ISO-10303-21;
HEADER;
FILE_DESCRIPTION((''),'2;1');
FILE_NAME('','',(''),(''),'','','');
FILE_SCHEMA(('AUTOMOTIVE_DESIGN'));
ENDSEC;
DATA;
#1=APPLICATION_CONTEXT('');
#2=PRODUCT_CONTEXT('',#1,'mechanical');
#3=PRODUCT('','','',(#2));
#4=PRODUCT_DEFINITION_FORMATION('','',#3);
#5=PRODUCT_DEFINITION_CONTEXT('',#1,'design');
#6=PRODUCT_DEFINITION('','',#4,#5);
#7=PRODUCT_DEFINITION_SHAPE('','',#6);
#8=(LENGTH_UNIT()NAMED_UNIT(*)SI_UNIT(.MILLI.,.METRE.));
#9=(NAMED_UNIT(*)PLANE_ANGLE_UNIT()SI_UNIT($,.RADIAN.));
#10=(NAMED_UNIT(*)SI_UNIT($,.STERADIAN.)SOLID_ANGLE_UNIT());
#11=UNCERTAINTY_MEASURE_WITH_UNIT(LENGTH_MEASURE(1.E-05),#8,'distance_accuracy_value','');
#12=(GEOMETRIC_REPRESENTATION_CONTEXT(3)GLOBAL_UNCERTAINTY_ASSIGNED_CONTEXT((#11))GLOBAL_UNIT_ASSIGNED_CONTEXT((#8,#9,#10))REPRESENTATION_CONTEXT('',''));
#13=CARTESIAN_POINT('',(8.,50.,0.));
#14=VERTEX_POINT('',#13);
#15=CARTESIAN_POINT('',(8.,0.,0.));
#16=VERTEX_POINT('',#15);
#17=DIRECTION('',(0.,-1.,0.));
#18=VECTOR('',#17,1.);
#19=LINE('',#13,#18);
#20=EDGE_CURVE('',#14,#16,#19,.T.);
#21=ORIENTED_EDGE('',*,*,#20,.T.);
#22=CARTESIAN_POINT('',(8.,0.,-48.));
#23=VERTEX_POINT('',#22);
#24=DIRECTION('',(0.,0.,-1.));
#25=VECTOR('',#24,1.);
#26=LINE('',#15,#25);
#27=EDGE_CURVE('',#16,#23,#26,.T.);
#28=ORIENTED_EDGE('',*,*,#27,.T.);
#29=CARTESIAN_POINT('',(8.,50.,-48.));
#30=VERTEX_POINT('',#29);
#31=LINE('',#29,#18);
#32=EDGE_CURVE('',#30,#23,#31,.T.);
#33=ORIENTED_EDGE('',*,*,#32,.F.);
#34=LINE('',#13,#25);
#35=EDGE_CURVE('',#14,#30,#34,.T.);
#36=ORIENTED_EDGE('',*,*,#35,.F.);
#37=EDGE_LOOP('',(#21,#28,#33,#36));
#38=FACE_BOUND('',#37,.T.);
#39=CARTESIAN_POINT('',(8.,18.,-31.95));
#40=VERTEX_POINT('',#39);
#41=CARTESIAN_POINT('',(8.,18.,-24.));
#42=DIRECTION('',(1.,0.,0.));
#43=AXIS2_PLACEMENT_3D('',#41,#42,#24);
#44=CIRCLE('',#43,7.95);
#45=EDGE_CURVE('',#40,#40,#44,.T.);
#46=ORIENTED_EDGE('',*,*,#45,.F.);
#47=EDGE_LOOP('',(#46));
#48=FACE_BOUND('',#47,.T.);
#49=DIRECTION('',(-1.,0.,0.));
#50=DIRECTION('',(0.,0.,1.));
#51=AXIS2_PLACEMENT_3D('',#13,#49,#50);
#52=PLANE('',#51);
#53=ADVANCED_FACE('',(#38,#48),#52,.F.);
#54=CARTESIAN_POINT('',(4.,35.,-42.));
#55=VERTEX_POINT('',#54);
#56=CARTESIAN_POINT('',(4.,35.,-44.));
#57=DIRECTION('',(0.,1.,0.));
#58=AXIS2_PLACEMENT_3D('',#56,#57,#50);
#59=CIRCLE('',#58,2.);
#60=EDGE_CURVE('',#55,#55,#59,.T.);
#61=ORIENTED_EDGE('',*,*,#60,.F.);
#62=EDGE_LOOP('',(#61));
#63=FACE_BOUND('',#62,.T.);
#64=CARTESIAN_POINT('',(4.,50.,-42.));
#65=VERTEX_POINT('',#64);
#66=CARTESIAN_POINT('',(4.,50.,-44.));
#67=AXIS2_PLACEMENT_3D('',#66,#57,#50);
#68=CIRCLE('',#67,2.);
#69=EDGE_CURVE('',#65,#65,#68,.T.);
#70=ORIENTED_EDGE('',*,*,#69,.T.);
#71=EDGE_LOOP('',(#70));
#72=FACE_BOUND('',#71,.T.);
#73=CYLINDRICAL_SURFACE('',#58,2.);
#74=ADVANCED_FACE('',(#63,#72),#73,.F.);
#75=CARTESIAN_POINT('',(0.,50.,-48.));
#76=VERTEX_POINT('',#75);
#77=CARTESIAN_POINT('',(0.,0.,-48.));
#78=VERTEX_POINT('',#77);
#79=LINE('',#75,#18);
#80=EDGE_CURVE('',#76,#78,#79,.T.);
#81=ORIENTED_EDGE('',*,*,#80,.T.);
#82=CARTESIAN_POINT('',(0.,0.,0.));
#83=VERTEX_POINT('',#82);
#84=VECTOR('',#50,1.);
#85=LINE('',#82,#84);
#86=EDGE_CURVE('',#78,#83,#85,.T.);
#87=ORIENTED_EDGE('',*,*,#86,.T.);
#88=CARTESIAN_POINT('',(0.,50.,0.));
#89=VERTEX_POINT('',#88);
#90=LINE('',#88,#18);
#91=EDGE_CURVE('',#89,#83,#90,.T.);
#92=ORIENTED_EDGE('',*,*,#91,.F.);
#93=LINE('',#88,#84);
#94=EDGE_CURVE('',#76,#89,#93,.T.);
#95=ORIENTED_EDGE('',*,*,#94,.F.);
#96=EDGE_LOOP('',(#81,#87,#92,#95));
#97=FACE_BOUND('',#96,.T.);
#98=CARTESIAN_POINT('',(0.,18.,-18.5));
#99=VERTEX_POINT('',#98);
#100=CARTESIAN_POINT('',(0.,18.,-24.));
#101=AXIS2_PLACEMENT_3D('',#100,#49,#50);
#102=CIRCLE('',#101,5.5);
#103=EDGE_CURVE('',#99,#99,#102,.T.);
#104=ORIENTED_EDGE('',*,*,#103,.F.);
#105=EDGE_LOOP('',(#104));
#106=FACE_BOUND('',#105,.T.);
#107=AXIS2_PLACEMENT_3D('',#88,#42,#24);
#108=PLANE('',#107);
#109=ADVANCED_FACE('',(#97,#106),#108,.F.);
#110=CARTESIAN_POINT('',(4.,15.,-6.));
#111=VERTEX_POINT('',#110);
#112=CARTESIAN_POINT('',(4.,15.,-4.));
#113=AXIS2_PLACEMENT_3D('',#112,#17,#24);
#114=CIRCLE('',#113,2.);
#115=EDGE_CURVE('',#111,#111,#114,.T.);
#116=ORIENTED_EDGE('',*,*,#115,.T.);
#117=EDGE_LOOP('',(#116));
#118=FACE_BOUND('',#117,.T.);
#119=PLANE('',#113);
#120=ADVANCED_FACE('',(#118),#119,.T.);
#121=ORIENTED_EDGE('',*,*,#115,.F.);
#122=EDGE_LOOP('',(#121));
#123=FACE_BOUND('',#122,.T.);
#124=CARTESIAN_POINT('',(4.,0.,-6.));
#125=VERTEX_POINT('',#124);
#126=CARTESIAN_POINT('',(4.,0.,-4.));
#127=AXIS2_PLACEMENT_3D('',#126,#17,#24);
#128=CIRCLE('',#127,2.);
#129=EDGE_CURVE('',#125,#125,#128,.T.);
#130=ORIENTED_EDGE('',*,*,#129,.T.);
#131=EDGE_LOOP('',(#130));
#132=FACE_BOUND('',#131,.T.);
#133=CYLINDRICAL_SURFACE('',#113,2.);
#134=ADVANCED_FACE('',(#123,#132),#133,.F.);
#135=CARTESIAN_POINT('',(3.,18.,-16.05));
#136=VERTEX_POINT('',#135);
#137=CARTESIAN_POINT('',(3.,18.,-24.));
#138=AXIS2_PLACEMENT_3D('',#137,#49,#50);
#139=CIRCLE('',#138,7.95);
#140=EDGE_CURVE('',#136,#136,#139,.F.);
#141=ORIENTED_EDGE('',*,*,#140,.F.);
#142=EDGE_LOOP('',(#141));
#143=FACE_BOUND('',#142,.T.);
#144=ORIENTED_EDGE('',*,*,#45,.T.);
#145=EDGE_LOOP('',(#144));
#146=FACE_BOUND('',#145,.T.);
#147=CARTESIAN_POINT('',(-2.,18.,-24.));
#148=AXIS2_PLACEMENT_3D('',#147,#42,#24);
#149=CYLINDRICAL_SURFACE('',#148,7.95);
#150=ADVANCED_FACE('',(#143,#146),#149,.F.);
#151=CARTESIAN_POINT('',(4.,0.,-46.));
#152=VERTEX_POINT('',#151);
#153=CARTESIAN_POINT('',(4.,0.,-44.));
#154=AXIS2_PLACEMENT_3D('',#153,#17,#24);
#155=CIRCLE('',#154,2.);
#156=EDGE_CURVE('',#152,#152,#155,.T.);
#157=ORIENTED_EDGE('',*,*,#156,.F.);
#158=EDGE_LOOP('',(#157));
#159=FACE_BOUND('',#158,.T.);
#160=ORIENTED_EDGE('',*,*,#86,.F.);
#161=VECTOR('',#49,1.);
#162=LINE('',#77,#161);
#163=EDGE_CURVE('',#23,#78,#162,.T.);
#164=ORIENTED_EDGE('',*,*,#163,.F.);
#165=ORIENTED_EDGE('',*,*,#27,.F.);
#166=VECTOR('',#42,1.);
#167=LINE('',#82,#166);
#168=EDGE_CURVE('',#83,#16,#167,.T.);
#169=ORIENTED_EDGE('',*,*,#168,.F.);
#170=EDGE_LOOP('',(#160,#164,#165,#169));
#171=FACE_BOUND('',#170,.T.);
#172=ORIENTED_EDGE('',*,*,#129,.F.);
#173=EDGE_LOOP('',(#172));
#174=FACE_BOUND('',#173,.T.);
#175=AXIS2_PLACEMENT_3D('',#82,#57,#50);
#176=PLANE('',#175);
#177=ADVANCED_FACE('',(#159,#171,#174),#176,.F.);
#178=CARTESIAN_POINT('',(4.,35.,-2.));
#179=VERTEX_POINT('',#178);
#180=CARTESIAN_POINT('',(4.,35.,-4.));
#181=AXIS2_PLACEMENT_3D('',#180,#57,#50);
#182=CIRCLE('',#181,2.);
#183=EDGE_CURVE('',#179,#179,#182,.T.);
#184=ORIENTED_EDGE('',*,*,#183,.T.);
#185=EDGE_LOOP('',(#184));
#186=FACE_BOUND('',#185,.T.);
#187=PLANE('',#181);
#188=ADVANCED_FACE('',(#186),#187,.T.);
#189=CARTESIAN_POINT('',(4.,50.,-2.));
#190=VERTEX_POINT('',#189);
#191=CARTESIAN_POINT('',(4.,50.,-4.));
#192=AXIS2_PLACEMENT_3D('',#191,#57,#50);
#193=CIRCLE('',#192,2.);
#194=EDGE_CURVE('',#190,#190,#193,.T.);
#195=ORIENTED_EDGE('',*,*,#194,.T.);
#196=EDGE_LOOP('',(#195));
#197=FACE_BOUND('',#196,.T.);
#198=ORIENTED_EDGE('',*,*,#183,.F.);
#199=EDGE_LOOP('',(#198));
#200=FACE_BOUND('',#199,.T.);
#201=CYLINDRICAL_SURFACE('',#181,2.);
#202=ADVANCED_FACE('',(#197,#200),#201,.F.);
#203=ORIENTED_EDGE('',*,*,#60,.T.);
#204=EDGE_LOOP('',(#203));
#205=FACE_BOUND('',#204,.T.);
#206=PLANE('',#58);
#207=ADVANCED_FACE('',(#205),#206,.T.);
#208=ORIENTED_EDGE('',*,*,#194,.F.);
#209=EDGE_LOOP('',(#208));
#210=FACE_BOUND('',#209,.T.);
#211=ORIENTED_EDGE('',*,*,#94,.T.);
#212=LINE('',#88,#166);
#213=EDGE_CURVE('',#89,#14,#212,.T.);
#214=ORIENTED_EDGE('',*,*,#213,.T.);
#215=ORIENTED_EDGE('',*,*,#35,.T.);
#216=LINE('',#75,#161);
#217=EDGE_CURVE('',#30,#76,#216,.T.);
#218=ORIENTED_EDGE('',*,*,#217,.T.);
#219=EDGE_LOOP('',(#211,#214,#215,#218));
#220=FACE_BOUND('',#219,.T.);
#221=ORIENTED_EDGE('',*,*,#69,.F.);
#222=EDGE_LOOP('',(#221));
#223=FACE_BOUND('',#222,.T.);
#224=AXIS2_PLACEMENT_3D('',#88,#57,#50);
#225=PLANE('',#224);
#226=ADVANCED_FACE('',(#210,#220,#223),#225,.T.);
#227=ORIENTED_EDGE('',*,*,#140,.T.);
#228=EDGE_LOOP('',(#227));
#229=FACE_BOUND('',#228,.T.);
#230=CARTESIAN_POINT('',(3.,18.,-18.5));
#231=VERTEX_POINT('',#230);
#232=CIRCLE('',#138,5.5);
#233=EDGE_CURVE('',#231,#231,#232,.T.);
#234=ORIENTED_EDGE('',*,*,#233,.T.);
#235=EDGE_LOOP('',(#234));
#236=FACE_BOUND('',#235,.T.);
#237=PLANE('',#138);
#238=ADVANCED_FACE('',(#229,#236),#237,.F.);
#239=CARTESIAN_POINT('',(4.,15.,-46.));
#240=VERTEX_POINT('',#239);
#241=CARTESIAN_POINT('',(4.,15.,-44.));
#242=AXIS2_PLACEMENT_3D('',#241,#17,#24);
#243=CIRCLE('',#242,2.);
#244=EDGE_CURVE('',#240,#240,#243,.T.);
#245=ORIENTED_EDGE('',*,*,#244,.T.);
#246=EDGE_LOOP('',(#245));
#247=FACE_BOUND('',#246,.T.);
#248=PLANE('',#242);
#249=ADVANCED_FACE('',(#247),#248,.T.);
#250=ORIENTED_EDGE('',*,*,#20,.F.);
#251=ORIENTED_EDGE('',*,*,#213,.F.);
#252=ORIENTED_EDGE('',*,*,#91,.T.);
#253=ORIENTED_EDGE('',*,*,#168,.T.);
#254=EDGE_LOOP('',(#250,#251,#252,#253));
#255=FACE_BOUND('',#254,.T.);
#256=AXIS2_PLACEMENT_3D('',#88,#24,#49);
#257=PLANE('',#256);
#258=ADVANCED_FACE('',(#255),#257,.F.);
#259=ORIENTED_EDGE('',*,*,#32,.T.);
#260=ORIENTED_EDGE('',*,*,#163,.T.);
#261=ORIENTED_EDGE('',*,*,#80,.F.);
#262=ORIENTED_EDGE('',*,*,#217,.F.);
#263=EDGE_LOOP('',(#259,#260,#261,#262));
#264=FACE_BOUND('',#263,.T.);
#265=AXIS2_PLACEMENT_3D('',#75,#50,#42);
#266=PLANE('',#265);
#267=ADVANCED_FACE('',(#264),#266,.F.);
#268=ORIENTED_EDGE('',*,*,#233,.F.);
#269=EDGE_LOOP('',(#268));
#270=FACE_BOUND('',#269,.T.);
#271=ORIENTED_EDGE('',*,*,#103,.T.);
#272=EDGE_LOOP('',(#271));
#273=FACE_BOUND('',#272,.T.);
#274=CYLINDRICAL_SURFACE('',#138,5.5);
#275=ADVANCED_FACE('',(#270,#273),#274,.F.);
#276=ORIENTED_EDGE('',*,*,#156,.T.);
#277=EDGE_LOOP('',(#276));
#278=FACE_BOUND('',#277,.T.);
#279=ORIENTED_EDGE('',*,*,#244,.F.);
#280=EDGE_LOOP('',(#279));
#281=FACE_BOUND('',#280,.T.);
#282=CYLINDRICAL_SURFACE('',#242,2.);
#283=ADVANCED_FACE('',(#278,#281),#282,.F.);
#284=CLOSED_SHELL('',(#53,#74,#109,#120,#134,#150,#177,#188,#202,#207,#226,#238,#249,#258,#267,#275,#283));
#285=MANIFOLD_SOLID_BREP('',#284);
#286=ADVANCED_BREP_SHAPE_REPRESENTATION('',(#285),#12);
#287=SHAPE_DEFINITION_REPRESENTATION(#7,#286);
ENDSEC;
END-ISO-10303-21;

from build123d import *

# Parameters (mm, degrees)
ESQUISSE1_W             = 8
ESQUISSE1_H             = 48
BOSS_EXTRU_1_DEPTH      = 50
ESQUISSE28_R            = 7.95
ENL_V_MAT_EXTRU_1_DEPTH = 10
ESQUISSE29_R            = 8.2
ESQUISSE29_R_2          = 5.5
BOSS_EXTRU_2_DEPTH      = 3
ESQUISSE30_R            = 2
ENL_V_MAT_EXTRU_2_DEPTH = 15
ENL_V_START             = -15
ESQUISSE31_R            = 2
ENL_V_MAT_EXTRU_3_DEPTH = 15


with BuildPart() as part:
    # Esquisse1 → Boss.-Extru.1 (new body)
    with BuildSketch(Plane(origin=(0, 0, 0), x_dir=(1, 0, 0), z_dir=(0, 1, 0))):
        with Locations((4, 24)):
            Rectangle(ESQUISSE1_W, ESQUISSE1_H)
    extrude(amount=BOSS_EXTRU_1_DEPTH)

    # Esquisse28 → Enlèv. mat.-Extru.1 (cut)
    with BuildSketch(Plane(origin=(8, 0, 0), x_dir=(0, 0, -1), z_dir=(1, 0, 0))):
        with Locations((24, 18)):
            Circle(ESQUISSE28_R)
    extrude(amount=-ENL_V_MAT_EXTRU_1_DEPTH, mode=Mode.SUBTRACT)

    # Esquisse29 → Boss.-Extru.2 (add)
    with BuildSketch(Plane.ZY):
        with Locations((-24, 18)):
            Circle(ESQUISSE29_R)
        with Locations((-24, 18)):
            Circle(ESQUISSE29_R_2, mode=Mode.SUBTRACT)
    extrude(amount=-BOSS_EXTRU_2_DEPTH)

    # Esquisse30 → Enlèv. mat.-Extru.2 (cut)
    with BuildSketch(Plane.XZ):
        with Locations((4, -44)):
            Circle(ESQUISSE30_R)
        with Locations((4, -4)):
            Circle(ESQUISSE30_R)
    extrude(amount=-ENL_V_MAT_EXTRU_2_DEPTH, mode=Mode.SUBTRACT)

    # Esquisse31 → Enlèv. mat.-Extru.3 (cut)
    with BuildSketch(Plane(origin=(0, 50, 0), x_dir=(1, 0, 0), z_dir=(0, 1, 0)).offset(ENL_V_START)):
        with Locations((4, 44)):
            Circle(ESQUISSE31_R)
        with Locations((4, 4)):
            Circle(ESQUISSE31_R)
    extrude(amount=ENL_V_MAT_EXTRU_3_DEPTH, mode=Mode.SUBTRACT)


solid = part.part
